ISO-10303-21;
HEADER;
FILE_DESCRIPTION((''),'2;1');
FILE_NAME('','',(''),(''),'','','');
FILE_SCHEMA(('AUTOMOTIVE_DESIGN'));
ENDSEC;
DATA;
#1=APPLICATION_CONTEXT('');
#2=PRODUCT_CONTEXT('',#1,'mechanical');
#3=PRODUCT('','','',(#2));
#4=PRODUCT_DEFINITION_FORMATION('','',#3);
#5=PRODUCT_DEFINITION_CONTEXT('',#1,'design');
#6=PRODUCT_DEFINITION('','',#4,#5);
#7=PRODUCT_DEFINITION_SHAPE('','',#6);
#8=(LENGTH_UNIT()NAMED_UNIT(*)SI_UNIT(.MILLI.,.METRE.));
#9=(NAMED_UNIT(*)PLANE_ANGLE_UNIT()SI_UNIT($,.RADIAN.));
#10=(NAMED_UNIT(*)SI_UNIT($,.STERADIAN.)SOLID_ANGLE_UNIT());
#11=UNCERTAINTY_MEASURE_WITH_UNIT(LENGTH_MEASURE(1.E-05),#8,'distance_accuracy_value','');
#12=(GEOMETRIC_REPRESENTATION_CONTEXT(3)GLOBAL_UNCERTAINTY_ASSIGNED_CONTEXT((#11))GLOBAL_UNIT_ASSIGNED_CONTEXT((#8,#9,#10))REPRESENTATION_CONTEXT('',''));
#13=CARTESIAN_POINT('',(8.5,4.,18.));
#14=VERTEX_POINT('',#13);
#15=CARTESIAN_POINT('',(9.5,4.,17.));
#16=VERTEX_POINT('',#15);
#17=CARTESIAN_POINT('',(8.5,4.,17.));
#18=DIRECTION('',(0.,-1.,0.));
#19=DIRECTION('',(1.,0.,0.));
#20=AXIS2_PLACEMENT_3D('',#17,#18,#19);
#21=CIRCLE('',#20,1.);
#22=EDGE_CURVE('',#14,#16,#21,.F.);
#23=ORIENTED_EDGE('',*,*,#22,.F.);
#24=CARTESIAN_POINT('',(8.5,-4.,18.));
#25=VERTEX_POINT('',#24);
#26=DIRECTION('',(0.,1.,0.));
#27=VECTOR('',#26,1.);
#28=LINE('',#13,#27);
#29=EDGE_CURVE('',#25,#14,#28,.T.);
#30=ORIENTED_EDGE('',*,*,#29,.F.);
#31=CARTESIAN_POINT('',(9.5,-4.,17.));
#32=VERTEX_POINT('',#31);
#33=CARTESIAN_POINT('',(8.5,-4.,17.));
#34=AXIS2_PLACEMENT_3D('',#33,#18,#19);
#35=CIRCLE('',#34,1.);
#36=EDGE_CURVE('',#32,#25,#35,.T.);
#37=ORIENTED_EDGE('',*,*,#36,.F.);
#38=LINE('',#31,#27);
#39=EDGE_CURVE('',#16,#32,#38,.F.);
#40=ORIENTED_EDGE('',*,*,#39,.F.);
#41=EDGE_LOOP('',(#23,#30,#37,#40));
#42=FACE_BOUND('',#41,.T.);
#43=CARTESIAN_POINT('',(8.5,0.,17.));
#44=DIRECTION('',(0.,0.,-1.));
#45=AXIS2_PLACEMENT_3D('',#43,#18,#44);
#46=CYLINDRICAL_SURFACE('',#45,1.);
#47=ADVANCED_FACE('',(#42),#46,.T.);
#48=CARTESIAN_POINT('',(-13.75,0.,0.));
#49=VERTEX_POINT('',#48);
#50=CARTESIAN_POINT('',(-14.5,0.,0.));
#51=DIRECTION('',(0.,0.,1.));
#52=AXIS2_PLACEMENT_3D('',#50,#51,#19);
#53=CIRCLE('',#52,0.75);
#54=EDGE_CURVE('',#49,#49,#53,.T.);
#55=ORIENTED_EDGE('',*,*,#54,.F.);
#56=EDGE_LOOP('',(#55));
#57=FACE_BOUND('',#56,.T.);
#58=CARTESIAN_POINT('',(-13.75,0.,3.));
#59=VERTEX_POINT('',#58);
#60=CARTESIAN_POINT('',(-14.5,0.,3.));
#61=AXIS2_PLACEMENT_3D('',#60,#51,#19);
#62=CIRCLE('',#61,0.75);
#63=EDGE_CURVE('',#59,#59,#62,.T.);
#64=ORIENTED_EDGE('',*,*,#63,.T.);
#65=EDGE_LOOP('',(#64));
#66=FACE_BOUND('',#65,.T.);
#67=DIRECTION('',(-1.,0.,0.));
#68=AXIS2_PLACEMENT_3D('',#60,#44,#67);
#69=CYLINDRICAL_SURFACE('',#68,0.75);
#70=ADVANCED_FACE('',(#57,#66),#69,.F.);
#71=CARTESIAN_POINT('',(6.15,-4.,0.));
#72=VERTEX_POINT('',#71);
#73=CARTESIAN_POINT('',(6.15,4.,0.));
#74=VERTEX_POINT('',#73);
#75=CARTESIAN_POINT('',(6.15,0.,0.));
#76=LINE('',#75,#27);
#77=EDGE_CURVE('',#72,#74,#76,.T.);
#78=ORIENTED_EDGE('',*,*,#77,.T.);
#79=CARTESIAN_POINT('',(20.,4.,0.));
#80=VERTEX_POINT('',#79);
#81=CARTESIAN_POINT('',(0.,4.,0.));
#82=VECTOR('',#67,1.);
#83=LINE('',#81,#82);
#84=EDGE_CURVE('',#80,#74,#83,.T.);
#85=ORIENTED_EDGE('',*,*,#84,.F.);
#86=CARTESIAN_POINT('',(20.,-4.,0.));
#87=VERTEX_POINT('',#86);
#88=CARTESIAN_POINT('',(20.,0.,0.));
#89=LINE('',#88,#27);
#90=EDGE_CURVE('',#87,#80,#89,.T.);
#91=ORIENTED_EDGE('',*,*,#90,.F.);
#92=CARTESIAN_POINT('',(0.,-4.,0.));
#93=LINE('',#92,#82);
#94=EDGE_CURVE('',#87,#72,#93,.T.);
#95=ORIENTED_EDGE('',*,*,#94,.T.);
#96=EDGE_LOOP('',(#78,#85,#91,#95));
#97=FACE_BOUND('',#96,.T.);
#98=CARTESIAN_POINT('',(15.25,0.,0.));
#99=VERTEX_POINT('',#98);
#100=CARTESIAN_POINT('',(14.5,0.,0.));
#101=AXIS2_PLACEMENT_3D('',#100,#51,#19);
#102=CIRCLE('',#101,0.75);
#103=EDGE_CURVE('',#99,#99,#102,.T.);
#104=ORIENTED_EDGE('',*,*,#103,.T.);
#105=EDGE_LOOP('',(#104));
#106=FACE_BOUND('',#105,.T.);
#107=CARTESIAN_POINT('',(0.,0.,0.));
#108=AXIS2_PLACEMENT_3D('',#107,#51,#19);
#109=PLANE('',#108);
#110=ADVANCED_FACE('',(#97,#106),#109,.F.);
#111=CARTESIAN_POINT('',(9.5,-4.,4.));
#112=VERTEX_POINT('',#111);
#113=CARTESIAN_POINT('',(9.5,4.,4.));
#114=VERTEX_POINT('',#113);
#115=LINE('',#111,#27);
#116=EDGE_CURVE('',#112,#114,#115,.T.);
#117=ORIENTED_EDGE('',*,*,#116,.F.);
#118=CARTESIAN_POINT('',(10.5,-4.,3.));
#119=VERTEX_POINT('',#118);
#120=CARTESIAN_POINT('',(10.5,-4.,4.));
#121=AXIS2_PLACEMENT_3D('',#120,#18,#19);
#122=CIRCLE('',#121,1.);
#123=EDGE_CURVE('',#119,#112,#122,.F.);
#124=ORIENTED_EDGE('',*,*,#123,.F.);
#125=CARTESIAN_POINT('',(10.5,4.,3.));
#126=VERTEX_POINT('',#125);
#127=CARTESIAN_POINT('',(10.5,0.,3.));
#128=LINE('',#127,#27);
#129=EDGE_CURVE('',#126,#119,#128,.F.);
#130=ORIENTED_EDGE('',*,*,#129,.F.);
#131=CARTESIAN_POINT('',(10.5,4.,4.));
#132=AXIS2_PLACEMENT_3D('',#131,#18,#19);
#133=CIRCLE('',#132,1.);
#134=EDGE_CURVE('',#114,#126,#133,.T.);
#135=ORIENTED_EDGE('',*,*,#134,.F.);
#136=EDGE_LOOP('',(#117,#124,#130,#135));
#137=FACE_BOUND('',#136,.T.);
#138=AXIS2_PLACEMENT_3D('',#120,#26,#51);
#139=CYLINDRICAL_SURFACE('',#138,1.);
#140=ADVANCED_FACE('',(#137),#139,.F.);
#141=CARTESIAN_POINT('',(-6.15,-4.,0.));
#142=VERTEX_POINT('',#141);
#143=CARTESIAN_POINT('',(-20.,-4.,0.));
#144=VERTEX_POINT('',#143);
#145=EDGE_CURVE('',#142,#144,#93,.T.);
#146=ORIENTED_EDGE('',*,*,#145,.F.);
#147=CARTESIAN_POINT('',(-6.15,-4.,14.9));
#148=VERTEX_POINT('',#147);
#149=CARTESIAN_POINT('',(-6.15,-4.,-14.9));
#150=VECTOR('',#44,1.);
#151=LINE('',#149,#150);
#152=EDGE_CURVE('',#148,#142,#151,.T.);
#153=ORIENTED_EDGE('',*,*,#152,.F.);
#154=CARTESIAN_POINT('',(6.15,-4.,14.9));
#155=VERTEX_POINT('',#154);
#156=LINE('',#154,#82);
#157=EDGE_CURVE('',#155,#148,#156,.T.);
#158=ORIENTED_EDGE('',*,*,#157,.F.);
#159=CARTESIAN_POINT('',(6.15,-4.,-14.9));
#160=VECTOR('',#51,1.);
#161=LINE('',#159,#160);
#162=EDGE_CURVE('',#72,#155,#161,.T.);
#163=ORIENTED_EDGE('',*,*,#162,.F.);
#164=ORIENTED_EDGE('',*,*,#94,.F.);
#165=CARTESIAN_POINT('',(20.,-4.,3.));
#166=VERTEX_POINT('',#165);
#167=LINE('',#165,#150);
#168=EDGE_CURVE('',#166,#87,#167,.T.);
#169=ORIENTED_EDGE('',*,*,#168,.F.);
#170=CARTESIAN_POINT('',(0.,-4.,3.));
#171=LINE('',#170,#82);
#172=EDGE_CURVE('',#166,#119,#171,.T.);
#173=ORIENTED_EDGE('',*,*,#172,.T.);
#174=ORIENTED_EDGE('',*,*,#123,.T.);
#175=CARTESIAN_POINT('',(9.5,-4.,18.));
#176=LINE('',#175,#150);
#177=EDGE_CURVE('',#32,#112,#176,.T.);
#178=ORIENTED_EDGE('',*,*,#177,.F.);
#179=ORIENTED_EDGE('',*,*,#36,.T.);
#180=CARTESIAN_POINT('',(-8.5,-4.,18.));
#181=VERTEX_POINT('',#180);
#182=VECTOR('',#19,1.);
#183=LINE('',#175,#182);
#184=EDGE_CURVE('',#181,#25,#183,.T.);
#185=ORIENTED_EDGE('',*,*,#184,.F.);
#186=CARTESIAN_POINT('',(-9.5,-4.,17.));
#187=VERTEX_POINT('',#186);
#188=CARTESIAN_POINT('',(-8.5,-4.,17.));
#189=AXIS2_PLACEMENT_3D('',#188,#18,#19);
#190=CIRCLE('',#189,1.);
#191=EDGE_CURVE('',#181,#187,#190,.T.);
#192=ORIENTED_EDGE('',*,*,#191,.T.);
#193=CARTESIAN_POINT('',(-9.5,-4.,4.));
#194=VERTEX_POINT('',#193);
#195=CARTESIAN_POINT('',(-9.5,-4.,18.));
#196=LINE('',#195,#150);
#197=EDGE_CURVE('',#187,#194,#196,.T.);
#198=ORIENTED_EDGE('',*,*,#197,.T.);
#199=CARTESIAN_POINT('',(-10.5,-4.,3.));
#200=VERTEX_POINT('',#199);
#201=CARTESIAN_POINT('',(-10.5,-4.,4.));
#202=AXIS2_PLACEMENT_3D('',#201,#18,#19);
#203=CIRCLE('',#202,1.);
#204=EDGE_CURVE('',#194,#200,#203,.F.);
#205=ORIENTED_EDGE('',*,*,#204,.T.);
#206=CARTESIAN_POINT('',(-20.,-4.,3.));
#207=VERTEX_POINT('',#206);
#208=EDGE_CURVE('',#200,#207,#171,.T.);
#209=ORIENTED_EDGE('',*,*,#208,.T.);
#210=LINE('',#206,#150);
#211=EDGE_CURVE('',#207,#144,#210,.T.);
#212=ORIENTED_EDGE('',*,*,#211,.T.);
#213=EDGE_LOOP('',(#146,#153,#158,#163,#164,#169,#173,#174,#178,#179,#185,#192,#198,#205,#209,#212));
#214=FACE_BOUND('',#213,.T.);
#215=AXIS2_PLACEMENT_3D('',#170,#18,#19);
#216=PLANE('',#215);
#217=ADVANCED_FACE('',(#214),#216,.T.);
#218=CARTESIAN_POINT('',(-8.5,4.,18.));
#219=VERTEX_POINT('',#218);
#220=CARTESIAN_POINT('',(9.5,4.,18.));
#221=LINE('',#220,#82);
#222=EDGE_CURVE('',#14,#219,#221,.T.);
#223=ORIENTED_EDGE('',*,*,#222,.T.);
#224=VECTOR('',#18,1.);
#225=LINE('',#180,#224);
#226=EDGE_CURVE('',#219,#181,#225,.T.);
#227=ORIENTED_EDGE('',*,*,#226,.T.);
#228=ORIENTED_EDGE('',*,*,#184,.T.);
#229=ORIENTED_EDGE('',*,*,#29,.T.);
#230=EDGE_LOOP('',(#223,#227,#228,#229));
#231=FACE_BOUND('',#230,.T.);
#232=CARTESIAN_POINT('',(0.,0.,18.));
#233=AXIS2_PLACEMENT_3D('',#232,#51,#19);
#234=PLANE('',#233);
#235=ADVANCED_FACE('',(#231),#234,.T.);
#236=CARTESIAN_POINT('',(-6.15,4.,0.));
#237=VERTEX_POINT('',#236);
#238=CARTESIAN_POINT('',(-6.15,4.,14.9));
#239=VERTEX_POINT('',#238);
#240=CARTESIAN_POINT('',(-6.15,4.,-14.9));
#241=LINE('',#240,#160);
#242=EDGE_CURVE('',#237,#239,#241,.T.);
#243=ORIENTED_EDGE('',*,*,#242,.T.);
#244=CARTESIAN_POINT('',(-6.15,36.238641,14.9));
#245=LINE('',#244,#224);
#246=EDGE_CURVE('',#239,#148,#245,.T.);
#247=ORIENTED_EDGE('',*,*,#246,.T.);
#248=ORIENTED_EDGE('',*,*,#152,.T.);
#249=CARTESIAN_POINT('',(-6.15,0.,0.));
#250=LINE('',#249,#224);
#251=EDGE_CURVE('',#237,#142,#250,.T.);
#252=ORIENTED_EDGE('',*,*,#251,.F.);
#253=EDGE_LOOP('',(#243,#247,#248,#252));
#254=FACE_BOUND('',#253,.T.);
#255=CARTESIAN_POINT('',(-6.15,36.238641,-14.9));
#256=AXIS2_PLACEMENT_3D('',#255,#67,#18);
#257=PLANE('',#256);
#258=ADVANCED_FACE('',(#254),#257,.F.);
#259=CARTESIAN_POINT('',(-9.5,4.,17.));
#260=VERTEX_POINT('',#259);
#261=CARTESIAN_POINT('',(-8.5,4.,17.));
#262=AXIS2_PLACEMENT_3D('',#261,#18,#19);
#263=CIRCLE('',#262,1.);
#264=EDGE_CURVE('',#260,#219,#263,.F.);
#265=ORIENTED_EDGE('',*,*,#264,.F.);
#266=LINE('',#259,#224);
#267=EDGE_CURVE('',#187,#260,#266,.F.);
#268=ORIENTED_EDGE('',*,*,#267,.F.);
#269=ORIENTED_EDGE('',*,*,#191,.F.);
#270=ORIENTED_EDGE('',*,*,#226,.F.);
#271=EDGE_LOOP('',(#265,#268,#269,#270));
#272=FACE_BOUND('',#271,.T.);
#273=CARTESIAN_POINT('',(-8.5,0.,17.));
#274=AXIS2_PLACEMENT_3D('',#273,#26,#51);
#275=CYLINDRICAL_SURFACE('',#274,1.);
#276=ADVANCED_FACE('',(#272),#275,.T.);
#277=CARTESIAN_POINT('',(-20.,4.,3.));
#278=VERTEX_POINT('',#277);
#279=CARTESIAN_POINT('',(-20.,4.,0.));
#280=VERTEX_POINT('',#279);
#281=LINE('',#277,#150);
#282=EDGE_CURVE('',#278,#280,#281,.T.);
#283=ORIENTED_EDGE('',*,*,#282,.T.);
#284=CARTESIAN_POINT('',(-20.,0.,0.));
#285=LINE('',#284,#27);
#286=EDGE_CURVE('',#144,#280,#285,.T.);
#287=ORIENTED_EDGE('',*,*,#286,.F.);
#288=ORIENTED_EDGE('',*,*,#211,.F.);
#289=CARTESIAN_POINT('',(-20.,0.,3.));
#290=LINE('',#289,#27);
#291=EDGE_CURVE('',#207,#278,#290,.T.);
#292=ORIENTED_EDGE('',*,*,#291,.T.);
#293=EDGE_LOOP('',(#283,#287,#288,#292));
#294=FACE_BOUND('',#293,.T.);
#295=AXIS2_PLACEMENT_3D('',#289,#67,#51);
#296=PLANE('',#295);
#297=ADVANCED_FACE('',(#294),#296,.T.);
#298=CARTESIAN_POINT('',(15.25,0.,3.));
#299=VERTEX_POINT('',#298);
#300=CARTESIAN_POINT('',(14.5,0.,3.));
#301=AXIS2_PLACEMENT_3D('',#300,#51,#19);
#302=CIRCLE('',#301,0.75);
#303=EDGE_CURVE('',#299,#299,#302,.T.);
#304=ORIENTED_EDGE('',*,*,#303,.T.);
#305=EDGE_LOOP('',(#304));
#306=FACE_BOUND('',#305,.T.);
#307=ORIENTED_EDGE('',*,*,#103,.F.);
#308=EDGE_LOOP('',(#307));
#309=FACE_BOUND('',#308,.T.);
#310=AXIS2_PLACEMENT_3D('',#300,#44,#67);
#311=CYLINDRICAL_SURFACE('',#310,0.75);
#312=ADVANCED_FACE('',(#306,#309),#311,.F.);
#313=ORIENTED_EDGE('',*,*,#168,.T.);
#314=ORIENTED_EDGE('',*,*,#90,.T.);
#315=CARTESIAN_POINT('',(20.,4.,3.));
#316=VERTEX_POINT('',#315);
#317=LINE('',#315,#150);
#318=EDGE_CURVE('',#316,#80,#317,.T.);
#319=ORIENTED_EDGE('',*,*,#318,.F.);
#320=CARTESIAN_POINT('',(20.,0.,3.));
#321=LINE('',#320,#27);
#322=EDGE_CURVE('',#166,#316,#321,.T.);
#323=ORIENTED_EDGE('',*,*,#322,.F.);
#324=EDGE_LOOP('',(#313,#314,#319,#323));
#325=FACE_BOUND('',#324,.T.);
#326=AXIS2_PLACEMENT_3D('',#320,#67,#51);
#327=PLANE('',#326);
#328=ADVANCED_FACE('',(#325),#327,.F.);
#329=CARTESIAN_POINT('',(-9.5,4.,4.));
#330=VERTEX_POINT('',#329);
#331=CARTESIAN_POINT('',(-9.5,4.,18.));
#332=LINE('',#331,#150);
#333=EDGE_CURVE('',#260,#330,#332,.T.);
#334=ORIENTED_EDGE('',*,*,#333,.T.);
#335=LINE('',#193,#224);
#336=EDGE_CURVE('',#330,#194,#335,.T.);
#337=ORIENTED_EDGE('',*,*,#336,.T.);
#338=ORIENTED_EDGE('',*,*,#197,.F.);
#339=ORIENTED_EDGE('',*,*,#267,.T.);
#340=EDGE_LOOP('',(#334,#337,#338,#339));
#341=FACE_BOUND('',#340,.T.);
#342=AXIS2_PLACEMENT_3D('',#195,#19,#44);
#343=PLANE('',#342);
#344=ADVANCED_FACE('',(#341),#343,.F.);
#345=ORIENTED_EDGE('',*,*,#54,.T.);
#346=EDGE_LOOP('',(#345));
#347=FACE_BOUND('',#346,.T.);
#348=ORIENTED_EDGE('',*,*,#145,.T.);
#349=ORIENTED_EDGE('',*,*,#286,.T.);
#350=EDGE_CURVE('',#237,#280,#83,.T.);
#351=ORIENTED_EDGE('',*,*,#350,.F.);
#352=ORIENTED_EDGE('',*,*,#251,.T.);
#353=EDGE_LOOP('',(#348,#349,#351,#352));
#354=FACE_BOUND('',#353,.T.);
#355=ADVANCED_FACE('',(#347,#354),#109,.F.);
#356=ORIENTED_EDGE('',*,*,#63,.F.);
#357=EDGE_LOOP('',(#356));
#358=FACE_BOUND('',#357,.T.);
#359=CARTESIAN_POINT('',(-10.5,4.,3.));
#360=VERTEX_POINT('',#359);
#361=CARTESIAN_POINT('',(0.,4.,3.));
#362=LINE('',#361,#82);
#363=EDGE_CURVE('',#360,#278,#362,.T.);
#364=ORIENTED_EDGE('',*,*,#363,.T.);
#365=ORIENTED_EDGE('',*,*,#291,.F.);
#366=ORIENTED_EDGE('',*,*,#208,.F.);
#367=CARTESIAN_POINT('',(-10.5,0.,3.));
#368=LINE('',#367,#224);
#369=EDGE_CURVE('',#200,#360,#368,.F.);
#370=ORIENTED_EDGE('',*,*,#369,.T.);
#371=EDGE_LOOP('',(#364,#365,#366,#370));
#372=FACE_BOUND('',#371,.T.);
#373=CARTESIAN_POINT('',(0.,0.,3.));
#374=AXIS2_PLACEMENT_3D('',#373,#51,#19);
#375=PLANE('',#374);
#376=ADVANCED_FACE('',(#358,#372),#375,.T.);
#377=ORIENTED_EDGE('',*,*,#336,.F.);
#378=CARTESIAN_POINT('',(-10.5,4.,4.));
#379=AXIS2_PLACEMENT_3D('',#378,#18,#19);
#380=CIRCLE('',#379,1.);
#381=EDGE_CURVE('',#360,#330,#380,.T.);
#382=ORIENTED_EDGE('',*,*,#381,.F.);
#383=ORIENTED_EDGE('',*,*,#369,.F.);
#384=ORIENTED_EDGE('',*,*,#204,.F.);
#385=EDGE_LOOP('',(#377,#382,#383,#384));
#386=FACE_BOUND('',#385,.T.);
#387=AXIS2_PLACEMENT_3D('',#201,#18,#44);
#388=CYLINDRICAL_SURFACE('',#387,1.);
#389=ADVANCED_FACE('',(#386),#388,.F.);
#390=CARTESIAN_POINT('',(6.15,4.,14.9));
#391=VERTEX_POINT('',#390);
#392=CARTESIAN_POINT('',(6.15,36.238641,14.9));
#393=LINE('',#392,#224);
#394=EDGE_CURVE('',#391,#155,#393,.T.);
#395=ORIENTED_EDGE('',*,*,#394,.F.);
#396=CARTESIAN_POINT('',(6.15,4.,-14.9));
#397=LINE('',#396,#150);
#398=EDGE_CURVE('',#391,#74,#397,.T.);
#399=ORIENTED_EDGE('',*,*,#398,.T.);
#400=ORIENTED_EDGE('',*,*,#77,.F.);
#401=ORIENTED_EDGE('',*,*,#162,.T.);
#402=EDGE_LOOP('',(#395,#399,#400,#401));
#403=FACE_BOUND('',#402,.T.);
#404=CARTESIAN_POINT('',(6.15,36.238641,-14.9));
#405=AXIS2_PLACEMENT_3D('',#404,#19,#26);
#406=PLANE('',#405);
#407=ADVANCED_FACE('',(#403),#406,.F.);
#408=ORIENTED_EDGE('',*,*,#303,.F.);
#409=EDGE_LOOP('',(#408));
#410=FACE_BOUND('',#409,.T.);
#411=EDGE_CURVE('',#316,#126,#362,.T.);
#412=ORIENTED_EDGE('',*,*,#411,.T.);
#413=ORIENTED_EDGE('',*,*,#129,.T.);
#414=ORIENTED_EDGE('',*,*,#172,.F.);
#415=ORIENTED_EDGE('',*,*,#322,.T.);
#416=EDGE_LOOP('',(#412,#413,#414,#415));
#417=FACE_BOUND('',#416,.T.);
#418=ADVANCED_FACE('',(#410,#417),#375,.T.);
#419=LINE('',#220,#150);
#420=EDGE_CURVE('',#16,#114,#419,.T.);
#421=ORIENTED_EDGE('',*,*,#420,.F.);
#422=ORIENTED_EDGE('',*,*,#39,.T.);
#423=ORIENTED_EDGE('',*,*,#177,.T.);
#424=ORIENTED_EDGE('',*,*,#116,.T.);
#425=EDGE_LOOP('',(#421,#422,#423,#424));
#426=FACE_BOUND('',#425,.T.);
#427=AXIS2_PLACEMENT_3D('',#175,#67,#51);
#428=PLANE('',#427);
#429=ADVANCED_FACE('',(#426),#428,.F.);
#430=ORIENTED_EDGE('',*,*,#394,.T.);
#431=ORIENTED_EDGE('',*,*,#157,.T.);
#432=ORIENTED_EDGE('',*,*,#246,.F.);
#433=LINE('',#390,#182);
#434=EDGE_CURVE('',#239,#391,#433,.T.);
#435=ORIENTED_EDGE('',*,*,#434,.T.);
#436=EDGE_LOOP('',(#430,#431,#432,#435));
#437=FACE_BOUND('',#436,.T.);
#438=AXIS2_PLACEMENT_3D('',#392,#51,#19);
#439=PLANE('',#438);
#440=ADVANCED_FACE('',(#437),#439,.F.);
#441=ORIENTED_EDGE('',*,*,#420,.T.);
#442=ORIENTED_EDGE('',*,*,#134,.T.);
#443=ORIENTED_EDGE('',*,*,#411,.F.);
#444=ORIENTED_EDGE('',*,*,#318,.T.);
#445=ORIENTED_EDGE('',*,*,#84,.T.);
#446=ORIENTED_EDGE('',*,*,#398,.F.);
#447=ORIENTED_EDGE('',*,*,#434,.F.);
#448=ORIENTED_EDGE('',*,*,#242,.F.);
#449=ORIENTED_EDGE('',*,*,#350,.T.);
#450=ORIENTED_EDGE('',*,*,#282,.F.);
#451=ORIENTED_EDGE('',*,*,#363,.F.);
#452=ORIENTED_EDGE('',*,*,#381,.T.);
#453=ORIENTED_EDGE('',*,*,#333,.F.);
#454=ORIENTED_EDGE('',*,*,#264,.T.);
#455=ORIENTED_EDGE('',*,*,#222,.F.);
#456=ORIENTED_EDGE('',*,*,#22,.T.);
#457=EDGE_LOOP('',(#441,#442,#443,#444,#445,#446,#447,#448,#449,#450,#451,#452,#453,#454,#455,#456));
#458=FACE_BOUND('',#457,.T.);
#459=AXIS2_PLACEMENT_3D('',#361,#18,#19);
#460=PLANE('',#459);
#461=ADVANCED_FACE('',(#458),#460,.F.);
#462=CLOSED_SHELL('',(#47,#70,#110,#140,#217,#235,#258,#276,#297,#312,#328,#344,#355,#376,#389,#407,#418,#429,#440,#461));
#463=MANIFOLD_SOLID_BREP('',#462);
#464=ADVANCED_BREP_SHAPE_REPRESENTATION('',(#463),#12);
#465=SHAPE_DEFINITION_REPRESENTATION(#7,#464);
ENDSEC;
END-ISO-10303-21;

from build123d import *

# Parameters (mm, degrees)
SKETCH1_W           = 40
SKETCH1_H           = 8
SKETCH1_R           = 0.75
BOSS_EXTRUDE1_DEPTH = 3
SKETCH2_W           = 19
SKETCH2_H           = 8
BOSS_EXTRUDE2_DEPTH = 15
SKETCH3_W           = 12.3
SKETCH3_H           = 29.8
CUT_EXTRUDE1_DEPTH  = 8
FILLET1_R           = 1


with BuildPart() as part:
    # Sketch1 → Boss-Extrude1 (new body)
    with BuildSketch(Plane.XY):
        Rectangle(SKETCH1_W, SKETCH1_H)
        with Locations((-14.5, 0)):
            Circle(SKETCH1_R, mode=Mode.SUBTRACT)
        with Locations((14.5, 0)):
            Circle(SKETCH1_R, mode=Mode.SUBTRACT)
    extrude(amount=BOSS_EXTRUDE1_DEPTH)

    # Sketch2 → Boss-Extrude2 (add)
    with BuildSketch(Plane.XY.offset(3)):
        Rectangle(SKETCH2_W, SKETCH2_H)
    extrude(amount=BOSS_EXTRUDE2_DEPTH)

    # Sketch3 → Cut-Extrude1 (cut)
    with BuildSketch(Plane.XZ.offset(4)):
        Rectangle(SKETCH3_W, SKETCH3_H)
    extrude(amount=-CUT_EXTRUDE1_DEPTH, mode=Mode.SUBTRACT)

    # Fillet1
    fillet1_edges = [part.edges().sort_by_distance(p)[0] for p in [
        (-9.5, 0, 3),
        (9.5, 0, 3),
        (-9.5, 0, 18),
        (9.5, 0, 18),
    ]]
    fillet(fillet1_edges, radius=FILLET1_R)


solid = part.part
